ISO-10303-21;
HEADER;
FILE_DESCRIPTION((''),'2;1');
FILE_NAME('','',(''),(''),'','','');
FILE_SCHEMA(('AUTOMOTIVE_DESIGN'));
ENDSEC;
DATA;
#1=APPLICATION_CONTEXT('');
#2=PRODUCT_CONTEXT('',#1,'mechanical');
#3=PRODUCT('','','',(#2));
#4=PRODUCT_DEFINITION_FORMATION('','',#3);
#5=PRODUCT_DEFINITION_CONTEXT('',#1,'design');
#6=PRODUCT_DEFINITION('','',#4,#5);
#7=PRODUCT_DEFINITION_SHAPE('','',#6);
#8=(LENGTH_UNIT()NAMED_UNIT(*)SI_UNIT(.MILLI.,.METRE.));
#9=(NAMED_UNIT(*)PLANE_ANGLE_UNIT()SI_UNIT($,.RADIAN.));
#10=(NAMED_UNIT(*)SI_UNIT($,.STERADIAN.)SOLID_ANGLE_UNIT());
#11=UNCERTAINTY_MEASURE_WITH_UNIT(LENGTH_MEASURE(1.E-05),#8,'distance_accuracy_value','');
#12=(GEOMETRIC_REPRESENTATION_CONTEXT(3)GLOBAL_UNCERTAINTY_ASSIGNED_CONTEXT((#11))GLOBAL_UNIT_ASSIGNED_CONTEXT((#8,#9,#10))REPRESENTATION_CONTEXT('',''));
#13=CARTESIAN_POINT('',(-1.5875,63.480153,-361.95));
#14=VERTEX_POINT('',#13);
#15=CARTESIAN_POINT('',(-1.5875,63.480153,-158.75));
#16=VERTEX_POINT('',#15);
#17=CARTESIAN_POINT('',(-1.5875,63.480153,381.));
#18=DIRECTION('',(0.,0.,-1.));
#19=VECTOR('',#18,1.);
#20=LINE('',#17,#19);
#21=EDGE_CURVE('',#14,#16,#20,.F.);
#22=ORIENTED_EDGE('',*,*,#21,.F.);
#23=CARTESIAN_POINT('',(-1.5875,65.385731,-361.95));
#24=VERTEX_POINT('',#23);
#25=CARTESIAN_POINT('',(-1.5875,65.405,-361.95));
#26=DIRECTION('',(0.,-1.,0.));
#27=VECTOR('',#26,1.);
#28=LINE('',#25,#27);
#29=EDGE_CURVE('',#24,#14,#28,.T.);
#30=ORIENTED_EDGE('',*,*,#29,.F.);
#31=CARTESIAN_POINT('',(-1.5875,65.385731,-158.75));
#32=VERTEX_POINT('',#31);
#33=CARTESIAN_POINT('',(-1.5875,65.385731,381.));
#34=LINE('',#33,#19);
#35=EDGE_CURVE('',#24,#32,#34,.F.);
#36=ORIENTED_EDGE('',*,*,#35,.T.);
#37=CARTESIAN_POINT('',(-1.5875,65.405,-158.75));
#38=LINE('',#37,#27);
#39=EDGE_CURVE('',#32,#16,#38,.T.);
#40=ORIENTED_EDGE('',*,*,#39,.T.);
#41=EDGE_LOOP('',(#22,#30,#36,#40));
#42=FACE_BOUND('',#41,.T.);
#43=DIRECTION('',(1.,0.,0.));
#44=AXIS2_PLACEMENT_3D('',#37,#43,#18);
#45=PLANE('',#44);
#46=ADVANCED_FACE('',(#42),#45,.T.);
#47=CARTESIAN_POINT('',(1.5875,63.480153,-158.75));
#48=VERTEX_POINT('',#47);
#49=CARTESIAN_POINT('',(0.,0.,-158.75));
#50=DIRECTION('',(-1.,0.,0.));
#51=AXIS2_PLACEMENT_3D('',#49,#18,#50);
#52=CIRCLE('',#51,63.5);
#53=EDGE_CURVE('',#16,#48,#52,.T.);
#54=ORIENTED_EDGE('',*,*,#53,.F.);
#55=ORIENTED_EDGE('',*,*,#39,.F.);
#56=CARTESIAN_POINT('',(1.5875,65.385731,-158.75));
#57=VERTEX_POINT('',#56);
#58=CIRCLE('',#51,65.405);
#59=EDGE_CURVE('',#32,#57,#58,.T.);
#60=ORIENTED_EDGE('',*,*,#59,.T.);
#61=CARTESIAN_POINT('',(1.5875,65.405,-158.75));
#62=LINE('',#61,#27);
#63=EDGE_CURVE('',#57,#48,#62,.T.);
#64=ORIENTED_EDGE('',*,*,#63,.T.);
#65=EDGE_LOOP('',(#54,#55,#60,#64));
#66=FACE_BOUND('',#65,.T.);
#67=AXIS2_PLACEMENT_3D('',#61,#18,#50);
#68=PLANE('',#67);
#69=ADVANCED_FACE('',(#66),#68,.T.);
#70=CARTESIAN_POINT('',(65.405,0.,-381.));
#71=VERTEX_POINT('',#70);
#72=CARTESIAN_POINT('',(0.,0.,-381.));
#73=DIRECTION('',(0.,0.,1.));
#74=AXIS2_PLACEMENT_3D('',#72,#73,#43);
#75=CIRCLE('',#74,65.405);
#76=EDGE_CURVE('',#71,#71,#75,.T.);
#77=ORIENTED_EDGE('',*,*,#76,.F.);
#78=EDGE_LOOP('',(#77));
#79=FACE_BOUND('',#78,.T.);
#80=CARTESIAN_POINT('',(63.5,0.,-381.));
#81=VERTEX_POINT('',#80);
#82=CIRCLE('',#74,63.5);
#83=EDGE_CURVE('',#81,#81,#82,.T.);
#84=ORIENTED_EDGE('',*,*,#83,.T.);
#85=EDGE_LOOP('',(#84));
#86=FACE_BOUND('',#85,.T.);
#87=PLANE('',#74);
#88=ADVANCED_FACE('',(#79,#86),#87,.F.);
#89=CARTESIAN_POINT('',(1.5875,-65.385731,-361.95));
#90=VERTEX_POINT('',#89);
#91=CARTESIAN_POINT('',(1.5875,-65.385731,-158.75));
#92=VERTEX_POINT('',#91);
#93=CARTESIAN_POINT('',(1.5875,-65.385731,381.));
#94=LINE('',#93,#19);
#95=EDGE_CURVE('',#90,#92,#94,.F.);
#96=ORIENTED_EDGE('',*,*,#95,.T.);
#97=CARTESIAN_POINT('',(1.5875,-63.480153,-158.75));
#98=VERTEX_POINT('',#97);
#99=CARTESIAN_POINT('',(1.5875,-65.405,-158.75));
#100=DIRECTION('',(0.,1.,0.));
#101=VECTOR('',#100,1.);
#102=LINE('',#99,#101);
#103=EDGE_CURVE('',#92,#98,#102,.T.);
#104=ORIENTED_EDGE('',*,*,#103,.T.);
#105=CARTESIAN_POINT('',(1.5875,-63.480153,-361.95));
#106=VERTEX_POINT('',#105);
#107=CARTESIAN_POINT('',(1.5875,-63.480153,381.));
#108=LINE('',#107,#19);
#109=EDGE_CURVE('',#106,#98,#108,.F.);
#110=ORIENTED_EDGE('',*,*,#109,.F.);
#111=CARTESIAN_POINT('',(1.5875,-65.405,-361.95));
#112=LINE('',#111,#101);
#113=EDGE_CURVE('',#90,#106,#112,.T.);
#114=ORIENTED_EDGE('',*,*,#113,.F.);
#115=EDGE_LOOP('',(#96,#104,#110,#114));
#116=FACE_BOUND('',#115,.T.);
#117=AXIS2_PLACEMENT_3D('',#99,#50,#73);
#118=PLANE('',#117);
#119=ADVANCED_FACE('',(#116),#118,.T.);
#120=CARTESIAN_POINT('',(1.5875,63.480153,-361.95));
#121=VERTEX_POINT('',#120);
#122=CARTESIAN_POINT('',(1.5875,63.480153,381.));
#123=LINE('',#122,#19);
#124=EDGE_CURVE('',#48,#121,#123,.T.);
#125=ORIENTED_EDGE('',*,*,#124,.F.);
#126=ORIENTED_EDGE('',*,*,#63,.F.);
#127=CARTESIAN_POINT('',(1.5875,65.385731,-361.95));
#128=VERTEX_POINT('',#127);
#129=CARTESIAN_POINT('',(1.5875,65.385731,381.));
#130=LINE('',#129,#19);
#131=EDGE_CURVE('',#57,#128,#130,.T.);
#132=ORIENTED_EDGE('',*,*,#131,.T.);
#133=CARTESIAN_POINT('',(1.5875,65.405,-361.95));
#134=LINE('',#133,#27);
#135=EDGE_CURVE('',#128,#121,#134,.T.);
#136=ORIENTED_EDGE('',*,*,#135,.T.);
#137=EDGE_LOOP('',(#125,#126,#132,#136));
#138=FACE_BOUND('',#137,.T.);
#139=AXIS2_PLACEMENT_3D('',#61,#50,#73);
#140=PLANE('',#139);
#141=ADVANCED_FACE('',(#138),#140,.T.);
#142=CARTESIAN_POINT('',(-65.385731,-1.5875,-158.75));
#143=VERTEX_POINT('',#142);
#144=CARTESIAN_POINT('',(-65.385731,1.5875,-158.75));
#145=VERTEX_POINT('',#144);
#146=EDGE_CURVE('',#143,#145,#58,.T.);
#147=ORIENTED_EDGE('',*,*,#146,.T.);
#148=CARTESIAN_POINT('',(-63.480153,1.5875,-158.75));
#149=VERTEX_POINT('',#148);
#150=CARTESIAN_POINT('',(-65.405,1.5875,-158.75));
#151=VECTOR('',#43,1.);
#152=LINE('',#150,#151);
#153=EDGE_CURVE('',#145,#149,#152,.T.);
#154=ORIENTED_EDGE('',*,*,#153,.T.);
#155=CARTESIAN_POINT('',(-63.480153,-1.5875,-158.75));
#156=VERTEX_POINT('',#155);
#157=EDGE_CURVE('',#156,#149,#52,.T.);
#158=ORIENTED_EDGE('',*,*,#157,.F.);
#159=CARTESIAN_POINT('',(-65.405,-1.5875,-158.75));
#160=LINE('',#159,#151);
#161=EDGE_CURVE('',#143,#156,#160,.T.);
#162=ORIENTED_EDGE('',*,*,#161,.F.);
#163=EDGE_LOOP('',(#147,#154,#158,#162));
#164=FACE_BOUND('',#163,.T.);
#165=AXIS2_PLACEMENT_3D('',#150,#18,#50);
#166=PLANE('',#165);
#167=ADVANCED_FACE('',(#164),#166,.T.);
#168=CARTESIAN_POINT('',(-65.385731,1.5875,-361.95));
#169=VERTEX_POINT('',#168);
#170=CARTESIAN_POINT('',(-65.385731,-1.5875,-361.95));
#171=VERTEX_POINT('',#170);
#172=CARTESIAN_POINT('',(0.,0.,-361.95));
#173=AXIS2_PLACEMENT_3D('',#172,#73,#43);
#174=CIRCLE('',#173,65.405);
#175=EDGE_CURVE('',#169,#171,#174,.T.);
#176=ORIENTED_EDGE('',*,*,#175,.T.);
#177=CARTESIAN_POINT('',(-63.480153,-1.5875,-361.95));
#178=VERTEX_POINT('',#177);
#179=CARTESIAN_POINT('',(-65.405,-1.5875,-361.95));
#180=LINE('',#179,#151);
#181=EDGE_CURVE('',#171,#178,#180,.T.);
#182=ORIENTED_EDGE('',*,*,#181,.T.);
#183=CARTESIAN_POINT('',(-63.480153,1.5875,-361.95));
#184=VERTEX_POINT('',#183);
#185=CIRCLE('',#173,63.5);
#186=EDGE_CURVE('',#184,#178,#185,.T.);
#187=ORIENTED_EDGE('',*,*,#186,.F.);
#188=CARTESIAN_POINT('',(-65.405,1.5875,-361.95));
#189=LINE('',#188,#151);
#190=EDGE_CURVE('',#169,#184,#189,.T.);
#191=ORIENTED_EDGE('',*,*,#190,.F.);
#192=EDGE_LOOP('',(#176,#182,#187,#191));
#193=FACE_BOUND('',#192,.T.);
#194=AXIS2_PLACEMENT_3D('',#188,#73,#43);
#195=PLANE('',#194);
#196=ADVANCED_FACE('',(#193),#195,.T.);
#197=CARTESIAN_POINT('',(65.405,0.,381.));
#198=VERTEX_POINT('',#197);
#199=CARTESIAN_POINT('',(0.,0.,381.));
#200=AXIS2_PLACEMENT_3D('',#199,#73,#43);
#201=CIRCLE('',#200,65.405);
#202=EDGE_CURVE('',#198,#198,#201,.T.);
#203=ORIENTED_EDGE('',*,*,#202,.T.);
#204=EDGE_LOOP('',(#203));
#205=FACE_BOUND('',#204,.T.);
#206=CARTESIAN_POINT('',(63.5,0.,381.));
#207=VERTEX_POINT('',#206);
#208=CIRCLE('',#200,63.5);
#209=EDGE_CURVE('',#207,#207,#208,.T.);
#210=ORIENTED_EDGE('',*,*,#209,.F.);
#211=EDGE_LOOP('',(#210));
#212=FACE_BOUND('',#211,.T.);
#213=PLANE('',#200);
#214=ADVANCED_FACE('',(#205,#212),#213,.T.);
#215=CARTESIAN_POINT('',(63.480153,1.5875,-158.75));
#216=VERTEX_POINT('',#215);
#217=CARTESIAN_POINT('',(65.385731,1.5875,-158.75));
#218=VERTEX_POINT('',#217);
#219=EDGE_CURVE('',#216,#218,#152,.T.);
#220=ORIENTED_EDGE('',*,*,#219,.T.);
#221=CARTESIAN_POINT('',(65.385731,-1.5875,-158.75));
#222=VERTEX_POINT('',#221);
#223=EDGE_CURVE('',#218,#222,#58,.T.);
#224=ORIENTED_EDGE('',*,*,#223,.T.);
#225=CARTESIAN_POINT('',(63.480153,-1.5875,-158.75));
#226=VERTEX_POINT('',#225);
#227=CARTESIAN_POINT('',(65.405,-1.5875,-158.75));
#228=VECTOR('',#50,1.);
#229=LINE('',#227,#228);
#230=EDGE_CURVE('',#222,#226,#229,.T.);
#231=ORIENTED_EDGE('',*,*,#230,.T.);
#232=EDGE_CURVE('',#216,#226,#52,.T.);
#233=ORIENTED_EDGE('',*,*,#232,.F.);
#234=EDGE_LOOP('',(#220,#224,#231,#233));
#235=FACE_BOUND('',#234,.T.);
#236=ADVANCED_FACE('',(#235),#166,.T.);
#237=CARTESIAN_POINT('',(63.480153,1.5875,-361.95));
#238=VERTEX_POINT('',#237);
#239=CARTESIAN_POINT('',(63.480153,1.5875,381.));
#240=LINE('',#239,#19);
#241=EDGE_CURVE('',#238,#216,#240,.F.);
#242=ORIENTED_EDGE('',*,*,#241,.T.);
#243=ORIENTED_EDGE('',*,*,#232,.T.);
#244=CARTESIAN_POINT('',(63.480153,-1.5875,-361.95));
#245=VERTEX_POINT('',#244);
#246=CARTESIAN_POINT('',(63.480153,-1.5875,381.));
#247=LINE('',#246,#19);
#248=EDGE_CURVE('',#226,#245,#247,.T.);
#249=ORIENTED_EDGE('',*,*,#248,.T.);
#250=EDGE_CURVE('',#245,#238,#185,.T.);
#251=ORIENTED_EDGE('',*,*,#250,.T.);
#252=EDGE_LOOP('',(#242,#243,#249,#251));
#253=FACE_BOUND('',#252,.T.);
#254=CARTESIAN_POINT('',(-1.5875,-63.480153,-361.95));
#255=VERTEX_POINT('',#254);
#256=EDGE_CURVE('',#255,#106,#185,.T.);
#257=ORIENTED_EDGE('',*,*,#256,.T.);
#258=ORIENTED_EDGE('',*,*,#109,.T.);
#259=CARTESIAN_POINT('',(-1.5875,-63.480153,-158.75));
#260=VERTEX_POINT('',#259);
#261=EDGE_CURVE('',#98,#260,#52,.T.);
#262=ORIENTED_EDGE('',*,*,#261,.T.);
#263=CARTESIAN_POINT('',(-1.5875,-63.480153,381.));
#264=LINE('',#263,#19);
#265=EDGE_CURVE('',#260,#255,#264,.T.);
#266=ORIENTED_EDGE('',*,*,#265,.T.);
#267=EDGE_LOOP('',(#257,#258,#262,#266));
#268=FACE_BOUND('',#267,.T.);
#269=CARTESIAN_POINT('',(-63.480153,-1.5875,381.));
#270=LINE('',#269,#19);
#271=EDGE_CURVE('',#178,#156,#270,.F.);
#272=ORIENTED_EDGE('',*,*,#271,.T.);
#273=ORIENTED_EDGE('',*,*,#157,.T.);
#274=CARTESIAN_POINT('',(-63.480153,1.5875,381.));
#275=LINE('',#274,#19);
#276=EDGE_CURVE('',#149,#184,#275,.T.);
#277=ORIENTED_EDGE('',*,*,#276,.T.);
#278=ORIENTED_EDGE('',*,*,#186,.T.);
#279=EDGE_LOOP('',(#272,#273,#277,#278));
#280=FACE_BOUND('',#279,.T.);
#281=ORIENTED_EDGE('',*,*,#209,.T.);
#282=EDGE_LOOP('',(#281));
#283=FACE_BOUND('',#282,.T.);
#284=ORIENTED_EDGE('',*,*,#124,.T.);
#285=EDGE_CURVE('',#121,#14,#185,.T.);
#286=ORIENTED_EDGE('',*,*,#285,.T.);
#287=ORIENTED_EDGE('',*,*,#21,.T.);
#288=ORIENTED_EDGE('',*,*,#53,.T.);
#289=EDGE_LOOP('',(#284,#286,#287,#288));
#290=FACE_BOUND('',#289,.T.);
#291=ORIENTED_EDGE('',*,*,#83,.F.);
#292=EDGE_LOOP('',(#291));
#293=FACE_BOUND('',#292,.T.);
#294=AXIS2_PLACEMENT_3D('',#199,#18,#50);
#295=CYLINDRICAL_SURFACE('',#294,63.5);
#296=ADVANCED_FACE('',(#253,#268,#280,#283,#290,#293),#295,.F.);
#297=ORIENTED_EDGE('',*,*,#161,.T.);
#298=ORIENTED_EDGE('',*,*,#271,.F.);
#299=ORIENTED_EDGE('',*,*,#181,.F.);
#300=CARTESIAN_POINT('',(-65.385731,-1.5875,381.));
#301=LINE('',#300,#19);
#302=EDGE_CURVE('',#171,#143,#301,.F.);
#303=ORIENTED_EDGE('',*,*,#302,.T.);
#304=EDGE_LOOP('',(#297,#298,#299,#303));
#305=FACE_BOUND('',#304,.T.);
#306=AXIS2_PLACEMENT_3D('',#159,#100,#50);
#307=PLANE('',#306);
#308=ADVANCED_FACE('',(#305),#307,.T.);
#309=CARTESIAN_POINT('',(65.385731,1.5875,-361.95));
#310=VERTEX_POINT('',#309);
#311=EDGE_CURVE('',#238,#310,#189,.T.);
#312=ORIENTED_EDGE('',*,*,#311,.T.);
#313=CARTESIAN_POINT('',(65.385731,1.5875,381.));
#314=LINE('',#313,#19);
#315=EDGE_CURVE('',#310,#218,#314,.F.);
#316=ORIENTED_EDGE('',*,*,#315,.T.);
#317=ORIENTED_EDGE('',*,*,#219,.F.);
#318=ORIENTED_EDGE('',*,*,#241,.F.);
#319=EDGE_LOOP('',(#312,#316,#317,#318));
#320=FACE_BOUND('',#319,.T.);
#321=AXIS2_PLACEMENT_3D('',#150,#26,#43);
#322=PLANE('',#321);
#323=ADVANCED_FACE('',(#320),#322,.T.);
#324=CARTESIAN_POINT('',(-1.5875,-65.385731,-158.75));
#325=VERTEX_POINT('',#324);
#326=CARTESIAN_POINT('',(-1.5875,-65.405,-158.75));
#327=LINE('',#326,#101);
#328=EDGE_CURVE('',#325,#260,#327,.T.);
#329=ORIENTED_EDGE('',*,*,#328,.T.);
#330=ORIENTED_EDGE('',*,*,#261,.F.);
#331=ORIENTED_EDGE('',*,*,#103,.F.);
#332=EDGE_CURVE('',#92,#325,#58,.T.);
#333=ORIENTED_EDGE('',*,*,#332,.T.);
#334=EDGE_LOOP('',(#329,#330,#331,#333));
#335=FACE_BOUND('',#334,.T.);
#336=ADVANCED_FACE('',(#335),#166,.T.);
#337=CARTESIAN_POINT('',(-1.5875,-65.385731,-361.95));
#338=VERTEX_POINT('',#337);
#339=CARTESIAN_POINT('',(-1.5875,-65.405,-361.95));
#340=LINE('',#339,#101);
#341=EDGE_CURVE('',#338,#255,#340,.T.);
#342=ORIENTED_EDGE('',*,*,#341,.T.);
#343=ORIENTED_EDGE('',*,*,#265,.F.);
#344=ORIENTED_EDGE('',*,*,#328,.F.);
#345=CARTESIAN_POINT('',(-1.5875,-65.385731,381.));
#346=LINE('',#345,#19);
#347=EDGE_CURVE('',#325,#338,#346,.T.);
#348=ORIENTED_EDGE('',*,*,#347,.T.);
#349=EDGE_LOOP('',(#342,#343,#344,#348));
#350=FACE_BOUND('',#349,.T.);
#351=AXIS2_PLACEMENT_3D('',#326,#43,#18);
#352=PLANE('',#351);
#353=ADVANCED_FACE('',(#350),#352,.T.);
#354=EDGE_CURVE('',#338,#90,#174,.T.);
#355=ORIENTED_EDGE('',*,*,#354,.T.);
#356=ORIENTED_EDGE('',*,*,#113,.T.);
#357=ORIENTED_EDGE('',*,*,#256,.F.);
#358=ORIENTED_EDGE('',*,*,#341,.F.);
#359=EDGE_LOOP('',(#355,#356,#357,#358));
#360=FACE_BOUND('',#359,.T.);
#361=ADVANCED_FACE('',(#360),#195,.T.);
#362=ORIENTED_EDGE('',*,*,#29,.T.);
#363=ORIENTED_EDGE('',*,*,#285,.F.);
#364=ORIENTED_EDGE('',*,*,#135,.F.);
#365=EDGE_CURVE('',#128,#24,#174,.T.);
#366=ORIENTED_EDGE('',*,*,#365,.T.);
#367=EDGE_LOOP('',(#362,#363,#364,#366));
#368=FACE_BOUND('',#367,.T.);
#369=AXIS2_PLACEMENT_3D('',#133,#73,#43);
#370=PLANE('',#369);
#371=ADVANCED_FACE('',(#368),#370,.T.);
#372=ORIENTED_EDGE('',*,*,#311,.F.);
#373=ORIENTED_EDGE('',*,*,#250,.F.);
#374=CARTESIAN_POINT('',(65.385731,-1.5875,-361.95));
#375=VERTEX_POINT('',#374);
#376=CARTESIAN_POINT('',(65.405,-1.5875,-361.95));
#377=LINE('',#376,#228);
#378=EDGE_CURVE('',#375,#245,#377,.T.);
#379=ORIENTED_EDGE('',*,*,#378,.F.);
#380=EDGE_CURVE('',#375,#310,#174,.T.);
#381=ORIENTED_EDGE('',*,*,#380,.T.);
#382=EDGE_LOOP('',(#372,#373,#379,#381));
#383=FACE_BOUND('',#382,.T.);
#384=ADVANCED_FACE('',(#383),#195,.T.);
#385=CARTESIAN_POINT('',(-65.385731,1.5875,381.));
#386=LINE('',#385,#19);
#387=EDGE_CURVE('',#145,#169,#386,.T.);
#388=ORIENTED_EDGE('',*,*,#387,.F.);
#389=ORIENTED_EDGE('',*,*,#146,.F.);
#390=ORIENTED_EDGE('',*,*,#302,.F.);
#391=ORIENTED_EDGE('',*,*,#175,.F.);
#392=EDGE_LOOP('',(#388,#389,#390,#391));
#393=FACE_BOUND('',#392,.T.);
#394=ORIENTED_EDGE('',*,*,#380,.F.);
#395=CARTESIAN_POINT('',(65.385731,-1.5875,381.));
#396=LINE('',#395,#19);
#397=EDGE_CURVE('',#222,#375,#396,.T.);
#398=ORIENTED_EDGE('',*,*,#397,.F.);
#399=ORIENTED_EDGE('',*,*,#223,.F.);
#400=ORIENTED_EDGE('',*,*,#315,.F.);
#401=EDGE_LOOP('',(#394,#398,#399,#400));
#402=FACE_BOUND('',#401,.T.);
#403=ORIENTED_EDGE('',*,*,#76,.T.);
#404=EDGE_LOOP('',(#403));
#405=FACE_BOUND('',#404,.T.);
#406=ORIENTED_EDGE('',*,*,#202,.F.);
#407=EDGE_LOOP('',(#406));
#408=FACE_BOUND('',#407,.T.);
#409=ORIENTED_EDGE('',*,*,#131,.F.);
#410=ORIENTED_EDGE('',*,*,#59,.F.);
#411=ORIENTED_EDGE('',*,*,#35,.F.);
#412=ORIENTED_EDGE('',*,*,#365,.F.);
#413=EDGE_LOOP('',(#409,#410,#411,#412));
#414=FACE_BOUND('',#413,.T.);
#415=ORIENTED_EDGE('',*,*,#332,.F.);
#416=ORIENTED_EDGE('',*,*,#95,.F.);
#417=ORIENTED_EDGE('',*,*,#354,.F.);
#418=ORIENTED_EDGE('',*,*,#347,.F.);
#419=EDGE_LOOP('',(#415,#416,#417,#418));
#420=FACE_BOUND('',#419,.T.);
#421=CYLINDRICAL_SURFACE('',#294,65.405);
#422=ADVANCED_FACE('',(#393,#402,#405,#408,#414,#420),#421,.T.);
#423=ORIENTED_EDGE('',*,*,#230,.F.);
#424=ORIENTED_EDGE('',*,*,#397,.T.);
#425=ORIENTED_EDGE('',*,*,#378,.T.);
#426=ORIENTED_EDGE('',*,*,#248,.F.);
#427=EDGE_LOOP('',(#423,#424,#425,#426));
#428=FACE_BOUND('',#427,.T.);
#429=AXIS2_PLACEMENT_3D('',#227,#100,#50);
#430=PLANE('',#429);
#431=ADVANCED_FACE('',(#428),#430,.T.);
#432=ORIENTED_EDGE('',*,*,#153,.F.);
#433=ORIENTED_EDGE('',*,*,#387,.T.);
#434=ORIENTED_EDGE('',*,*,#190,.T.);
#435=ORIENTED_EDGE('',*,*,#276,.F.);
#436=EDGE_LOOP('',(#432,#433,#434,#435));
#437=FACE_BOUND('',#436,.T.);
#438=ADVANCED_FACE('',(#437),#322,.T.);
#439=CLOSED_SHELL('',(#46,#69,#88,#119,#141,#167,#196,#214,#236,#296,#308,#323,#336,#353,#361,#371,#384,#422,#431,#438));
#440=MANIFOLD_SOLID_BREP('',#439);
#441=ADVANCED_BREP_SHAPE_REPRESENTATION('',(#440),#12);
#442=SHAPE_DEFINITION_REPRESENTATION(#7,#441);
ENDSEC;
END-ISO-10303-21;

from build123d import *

# Parameters (mm, degrees)
SKETCH1_R           = 65.405
SKETCH1_R_2         = 63.5
BOSS_EXTRUDE1_DEPTH = 381
SKETCH3_W           = 3.175
SKETCH3_H           = 203.2
CUT_EXTRUDE1_DEPTH  = 66.405
CIRPATTERN1_COUNT   = 4


with BuildPart() as part:
    # Sketch1 → Boss-Extrude1 (new body, symmetric)
    with BuildSketch(Plane.XY):
        Circle(SKETCH1_R)
        Circle(SKETCH1_R_2, mode=Mode.SUBTRACT)
    extrude(amount=BOSS_EXTRUDE1_DEPTH, both=True)

    # Sketch3 → Cut-Extrude1 (cut, through all)
    with BuildSketch(Plane(origin=(0, 0, 0), x_dir=(1, 0, 0), z_dir=(0, 1, 0))):
        with Locations((0, 260.35)):
            Rectangle(SKETCH3_W, SKETCH3_H)
    cut_extrude1 = extrude(amount=CUT_EXTRUDE1_DEPTH, mode=Mode.SUBTRACT)

    # CirPattern1: Cut-Extrude1 ×4 about axis
    cirpattern1_axis = Axis((0, 0, 0), (0, 0, 1))
    for i in range(1, CIRPATTERN1_COUNT):
        add(cut_extrude1.rotate(cirpattern1_axis, i * 360 / CIRPATTERN1_COUNT), mode=Mode.SUBTRACT)


solid = part.part
